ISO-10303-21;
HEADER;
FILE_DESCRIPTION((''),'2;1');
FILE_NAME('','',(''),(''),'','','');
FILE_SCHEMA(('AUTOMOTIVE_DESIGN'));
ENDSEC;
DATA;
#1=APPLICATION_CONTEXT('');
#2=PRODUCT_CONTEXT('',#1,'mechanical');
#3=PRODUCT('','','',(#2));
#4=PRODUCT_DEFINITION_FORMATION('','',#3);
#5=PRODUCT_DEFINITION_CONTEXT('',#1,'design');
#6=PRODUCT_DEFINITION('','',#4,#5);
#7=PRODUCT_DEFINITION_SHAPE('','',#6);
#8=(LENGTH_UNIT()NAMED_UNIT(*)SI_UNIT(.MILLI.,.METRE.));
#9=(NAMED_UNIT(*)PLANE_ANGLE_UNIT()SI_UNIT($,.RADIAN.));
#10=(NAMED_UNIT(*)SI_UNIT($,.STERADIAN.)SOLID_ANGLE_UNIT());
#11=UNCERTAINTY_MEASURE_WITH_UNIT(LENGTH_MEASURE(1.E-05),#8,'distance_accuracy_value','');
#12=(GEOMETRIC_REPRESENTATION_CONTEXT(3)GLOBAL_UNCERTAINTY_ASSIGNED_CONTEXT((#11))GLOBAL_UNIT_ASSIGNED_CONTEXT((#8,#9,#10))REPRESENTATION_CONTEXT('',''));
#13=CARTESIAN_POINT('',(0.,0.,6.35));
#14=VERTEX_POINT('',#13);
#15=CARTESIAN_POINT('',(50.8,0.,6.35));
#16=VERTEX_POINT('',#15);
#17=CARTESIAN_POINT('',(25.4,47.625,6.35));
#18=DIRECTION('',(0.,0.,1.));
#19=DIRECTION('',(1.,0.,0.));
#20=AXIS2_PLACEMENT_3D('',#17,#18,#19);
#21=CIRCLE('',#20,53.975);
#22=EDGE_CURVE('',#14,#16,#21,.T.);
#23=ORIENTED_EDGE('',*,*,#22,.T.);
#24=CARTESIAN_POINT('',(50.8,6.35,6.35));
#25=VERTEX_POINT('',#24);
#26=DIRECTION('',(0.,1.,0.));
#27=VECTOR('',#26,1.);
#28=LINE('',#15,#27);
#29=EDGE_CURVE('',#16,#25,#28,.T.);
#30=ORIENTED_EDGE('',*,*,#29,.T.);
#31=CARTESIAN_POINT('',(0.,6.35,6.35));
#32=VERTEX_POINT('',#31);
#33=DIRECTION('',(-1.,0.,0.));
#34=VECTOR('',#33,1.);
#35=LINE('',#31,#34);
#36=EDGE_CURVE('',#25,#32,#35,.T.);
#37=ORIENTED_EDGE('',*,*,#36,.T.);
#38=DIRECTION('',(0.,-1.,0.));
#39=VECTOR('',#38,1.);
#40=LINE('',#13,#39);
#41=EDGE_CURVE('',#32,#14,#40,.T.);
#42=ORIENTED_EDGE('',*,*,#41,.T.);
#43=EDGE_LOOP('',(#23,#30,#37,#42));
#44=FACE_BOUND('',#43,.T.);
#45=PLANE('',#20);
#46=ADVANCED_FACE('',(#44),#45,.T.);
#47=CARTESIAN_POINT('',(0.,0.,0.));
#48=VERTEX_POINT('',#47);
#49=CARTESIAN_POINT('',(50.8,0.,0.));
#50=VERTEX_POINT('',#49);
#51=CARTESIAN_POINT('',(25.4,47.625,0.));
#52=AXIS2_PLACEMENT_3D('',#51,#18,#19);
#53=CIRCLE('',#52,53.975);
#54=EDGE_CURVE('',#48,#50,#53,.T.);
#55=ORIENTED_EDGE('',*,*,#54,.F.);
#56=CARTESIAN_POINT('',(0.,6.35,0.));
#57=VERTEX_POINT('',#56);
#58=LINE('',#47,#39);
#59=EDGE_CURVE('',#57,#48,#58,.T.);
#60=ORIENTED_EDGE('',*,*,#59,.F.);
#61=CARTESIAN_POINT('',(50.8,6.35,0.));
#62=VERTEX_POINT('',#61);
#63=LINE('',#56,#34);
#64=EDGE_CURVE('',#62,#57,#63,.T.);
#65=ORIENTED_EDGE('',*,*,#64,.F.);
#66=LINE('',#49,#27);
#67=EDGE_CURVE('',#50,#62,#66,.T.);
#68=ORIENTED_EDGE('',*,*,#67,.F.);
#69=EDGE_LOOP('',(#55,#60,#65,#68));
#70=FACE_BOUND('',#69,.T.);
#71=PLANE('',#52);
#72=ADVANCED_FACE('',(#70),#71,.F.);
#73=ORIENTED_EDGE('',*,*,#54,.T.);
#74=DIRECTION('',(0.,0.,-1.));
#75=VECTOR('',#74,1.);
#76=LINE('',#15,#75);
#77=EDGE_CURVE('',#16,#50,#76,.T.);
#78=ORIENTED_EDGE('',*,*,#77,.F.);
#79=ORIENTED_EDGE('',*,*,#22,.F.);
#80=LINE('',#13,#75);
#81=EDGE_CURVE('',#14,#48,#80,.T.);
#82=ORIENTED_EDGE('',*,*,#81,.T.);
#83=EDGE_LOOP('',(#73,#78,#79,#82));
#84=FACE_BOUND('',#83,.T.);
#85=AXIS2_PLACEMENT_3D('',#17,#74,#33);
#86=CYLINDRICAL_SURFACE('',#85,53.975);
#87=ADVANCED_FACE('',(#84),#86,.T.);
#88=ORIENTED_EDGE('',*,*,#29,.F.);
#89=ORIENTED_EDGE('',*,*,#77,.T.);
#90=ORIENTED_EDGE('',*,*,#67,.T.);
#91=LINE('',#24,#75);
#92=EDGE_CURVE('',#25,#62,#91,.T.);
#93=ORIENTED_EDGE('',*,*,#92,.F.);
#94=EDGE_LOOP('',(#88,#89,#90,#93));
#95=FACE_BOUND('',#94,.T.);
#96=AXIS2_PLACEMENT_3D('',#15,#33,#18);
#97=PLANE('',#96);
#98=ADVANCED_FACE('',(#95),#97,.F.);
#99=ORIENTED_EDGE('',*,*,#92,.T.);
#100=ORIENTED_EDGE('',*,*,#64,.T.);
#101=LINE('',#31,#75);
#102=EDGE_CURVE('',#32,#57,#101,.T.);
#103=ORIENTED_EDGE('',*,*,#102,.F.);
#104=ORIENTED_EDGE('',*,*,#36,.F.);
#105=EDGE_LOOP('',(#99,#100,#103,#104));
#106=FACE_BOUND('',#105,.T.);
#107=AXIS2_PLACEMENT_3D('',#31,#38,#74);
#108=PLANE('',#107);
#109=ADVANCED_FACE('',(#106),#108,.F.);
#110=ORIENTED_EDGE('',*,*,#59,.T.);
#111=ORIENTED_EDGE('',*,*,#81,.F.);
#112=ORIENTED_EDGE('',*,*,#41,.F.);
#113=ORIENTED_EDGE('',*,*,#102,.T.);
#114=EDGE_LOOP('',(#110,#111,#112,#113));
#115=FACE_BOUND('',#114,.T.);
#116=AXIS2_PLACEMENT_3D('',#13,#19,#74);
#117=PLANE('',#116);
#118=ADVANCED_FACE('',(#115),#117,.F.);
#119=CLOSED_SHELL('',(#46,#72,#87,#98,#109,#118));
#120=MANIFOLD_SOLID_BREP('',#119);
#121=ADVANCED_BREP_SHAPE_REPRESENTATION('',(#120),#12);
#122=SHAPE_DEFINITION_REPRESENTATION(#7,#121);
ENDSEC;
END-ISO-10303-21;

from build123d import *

# Parameters (mm, degrees)
BOSS_EXTRUDE1_DEPTH = 6.35


with BuildPart() as part:
    # Sketch1 → Boss-Extrude1 (new body)
    with BuildSketch(Plane.XY):
        with BuildLine():
            Line((0, 0), (0, 6.35))
            Line((0, 6.35), (50.8, 6.35))
            Line((50.8, 6.35), (50.8, 0))
            ThreePointArc((50.8, 0), (25.4, -6.35), (0, 0))
        make_face()
    extrude(amount=BOSS_EXTRUDE1_DEPTH)


solid = part.part
